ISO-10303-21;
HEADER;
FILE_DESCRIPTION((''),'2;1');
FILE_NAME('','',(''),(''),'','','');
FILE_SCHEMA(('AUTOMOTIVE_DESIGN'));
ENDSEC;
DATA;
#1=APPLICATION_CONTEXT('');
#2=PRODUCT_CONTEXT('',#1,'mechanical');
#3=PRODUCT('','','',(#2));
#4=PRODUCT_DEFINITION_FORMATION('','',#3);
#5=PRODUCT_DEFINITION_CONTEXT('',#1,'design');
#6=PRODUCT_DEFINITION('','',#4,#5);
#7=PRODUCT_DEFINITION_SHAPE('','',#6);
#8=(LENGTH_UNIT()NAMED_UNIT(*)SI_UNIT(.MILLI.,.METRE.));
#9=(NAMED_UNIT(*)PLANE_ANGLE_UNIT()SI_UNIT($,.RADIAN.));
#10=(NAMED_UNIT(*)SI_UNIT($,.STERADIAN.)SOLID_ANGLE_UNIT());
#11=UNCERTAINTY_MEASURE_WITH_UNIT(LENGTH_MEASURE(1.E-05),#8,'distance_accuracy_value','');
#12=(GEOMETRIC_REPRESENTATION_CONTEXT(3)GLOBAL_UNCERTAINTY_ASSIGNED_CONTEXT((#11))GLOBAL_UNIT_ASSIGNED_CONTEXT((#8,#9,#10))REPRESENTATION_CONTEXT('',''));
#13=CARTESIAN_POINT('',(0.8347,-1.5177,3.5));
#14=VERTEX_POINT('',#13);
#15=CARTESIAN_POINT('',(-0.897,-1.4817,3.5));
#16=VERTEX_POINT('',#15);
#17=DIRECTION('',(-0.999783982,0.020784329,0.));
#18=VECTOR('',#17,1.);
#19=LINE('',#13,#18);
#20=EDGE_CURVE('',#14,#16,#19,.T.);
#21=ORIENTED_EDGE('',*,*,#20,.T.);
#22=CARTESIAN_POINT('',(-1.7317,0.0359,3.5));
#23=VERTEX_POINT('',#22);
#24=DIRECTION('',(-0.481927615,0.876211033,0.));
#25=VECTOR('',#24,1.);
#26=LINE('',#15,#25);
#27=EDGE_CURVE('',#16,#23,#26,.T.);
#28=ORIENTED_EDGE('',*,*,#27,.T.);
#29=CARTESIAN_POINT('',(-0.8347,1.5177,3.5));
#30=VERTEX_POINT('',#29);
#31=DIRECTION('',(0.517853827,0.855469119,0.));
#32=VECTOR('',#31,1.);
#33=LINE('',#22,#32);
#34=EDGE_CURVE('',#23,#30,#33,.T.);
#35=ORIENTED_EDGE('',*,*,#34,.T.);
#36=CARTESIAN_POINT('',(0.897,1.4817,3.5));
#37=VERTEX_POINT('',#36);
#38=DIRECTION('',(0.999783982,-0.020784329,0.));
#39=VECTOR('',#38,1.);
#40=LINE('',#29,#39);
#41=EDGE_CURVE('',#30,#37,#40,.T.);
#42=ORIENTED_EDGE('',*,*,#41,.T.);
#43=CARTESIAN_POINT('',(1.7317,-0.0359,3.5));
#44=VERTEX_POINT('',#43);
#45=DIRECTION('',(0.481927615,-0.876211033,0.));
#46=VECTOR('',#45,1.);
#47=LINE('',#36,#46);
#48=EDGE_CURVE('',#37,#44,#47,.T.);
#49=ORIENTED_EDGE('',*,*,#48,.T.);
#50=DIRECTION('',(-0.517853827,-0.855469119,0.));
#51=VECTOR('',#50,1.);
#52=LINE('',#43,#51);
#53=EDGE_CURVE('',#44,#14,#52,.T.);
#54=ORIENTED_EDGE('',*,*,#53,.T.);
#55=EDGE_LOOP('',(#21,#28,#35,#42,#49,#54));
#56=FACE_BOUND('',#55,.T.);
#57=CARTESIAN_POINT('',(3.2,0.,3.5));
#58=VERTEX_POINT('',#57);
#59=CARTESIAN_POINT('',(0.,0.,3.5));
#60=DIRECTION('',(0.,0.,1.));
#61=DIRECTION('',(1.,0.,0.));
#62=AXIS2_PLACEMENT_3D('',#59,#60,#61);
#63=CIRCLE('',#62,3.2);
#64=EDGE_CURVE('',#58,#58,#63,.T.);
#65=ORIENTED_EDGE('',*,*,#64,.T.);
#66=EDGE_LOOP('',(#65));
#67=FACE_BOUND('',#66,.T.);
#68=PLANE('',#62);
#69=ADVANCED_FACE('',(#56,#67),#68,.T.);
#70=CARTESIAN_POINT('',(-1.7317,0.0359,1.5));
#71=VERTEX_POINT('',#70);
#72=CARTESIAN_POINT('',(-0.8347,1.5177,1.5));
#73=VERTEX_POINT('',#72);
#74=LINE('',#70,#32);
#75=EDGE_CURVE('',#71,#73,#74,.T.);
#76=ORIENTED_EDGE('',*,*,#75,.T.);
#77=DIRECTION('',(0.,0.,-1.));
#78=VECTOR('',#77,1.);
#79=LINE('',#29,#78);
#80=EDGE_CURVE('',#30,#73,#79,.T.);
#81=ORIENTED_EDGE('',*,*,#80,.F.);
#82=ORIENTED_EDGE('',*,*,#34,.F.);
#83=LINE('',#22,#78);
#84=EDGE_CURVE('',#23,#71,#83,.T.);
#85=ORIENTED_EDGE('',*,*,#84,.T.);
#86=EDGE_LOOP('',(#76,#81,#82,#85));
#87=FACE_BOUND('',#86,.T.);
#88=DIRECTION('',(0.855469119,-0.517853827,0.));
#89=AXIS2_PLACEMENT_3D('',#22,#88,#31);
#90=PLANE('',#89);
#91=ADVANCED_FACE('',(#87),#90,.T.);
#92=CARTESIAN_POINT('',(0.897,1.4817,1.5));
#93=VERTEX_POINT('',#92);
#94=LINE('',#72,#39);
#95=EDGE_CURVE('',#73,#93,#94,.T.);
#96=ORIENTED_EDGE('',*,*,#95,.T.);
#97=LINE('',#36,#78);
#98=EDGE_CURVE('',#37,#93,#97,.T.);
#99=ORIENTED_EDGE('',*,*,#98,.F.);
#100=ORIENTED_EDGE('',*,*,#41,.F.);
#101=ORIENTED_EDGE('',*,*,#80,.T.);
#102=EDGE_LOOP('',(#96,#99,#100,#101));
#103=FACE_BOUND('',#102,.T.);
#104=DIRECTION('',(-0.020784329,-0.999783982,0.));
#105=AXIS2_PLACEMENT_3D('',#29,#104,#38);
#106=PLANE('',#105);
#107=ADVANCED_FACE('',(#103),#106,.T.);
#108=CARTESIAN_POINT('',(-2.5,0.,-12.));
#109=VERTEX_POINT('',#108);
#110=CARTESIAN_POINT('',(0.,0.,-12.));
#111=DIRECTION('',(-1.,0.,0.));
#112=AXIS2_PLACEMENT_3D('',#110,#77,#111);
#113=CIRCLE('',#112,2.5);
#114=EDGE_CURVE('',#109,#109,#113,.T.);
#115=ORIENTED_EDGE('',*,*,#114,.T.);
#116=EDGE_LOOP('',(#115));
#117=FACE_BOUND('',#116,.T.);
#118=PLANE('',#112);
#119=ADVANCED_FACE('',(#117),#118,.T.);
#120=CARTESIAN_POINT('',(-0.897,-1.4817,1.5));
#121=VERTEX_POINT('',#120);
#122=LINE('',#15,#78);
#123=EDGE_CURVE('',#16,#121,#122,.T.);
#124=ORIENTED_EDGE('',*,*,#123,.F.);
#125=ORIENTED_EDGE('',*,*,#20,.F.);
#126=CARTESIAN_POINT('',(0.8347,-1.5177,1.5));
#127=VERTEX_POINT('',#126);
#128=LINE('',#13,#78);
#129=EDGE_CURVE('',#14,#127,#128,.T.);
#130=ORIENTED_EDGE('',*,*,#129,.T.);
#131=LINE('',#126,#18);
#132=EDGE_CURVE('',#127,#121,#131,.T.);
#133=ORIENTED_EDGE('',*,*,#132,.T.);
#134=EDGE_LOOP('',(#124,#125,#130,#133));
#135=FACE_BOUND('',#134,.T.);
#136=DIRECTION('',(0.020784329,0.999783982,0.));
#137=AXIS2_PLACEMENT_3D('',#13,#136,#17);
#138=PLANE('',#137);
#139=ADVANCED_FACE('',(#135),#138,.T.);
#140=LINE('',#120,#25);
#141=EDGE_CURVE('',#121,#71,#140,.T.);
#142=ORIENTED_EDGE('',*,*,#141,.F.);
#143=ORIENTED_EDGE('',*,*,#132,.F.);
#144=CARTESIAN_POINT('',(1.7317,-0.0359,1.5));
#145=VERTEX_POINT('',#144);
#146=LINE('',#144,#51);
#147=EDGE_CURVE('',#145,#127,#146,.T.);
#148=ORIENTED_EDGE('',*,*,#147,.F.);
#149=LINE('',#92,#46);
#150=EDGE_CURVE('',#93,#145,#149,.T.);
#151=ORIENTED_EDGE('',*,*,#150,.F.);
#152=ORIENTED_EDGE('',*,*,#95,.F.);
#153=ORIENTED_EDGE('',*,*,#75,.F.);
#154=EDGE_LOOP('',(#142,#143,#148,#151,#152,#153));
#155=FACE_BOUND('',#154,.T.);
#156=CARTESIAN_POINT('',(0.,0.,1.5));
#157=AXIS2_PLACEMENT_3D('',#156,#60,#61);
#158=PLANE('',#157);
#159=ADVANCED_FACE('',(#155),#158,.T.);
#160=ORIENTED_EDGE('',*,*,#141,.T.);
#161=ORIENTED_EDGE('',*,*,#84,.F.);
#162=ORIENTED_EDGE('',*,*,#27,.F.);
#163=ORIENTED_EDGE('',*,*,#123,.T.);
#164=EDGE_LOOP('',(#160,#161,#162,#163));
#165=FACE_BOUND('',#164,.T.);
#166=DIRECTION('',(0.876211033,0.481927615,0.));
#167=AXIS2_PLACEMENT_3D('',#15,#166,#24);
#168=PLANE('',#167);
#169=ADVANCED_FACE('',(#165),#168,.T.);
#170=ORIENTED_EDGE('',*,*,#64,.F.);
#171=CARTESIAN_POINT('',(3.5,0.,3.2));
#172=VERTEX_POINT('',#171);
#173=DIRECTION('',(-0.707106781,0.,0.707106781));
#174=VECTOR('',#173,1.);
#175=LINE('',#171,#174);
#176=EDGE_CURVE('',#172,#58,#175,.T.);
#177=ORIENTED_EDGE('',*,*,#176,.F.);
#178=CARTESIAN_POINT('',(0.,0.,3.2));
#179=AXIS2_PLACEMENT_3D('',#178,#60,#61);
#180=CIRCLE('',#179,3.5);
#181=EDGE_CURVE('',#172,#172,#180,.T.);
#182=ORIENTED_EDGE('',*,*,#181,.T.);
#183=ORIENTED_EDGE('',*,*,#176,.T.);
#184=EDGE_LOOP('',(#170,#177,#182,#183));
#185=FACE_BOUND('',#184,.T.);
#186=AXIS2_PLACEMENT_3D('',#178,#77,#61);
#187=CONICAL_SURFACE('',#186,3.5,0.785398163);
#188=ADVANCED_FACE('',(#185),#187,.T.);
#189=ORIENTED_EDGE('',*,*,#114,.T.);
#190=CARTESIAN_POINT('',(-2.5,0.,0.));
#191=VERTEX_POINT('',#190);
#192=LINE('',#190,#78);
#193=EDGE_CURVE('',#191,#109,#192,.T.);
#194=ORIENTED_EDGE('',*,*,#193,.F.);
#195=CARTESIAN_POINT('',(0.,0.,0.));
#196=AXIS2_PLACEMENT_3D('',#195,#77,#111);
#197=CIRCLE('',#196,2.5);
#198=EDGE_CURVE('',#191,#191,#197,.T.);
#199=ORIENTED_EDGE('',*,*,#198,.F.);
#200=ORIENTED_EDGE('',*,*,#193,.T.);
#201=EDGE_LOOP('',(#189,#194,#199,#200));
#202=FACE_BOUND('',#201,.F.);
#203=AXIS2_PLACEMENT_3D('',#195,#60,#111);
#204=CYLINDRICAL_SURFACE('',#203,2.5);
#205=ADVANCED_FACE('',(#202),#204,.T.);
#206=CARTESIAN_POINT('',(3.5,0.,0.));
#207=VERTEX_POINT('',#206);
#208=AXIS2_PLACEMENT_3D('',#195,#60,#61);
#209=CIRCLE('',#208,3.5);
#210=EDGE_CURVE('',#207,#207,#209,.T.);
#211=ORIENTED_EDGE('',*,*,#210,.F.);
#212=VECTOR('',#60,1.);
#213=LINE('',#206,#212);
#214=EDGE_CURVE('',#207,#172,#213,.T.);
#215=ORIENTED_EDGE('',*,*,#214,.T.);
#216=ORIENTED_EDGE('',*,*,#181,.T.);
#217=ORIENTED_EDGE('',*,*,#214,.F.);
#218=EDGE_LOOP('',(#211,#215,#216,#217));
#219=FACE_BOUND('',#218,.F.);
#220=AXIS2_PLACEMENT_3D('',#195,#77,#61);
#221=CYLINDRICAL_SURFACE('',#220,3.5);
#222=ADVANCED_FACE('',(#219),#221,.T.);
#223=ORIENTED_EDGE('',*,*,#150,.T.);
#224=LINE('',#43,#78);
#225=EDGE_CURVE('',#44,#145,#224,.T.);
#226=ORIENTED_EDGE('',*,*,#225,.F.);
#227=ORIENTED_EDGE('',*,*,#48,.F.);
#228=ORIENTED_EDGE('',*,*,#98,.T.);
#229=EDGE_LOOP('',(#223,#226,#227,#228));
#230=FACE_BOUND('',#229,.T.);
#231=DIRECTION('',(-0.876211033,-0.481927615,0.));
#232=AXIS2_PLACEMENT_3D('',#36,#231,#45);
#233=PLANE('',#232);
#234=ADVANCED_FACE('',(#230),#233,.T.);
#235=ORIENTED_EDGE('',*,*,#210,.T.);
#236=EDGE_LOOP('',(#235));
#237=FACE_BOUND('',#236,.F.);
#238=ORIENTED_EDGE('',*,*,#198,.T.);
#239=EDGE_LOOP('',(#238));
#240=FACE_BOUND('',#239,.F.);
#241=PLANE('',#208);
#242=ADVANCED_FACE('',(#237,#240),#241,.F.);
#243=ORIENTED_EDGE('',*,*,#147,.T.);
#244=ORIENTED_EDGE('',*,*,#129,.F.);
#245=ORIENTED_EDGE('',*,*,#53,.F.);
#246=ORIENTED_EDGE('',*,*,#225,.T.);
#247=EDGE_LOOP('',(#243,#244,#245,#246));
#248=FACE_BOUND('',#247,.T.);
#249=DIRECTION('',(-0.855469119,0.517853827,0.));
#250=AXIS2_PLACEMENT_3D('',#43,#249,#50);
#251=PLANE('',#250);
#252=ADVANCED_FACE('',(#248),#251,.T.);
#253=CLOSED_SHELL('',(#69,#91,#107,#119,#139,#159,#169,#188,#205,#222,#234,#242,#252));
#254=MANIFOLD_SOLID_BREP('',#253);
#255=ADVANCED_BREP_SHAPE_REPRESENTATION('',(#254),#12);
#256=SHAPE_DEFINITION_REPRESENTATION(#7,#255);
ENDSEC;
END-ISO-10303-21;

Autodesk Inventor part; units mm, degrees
ref_plane "YZ Plane" through (0, 0, 0) normal (1, 0, 0) x (0, 1, 0)
ref_plane "XZ Plane" through (0, 0, 0) normal (0, 1, 0) x (-1, 0, 0)
ref_plane "XY Plane" through (0, 0, 0) normal (0, 0, 1) x (1, 0, 0)
sketch "Sketch1" plane through (0, 0, 0) normal (0, 0, 1) x (1, 0, 0)
  circle A0 centre (0, 0) radius 3.5
  dimension "d0" = 7
extrude "Extrusion1" add sketch "Sketch1" along normal blind 3.5
sketch "Sketch2" plane through (0, 0, 0) normal (0, 0, -1) x (-1, 0, 0)
  circle A0 centre (0, 0) radius 2.5
  dimension "d3" = 5
extrude "Extrusion2" add sketch "Sketch2" along normal blind 12
sketch "Sketch3" plane through (0, 0, 3.5) normal (0, 0, 1) x (1, 0, 0)
  circle A0 centre (0, 0) radius 3.5 projected
  line L0 (-0.8347, 1.5177) -> (0.897, 1.4817)
  line L1 (0.897, 1.4817) -> (1.7317, -0.0359)
  line L2 (1.7317, -0.0359) -> (0.8347, -1.5177)
  line L3 (0.8347, -1.5177) -> (-0.897, -1.4817)
  line L4 (-0.897, -1.4817) -> (-1.7317, 0.0359)
  line L5 (-1.7317, 0.0359) -> (-0.8347, 1.5177)
  dimension "d6" = 3
extrude "Extrusion3" cut sketch "Sketch3" against normal blind 2 contours L0 L1 L2 L3 L4 L5
thread "Thread1" size "M5x0.8" class "6g" standard "ANSI Metric M Profile" full length
chamfer "Chamfer1" distance 0.3 angle 45 1 edges at (-3.5, 0, 3.5)
properties part number "M5 Cap Head Screw"
